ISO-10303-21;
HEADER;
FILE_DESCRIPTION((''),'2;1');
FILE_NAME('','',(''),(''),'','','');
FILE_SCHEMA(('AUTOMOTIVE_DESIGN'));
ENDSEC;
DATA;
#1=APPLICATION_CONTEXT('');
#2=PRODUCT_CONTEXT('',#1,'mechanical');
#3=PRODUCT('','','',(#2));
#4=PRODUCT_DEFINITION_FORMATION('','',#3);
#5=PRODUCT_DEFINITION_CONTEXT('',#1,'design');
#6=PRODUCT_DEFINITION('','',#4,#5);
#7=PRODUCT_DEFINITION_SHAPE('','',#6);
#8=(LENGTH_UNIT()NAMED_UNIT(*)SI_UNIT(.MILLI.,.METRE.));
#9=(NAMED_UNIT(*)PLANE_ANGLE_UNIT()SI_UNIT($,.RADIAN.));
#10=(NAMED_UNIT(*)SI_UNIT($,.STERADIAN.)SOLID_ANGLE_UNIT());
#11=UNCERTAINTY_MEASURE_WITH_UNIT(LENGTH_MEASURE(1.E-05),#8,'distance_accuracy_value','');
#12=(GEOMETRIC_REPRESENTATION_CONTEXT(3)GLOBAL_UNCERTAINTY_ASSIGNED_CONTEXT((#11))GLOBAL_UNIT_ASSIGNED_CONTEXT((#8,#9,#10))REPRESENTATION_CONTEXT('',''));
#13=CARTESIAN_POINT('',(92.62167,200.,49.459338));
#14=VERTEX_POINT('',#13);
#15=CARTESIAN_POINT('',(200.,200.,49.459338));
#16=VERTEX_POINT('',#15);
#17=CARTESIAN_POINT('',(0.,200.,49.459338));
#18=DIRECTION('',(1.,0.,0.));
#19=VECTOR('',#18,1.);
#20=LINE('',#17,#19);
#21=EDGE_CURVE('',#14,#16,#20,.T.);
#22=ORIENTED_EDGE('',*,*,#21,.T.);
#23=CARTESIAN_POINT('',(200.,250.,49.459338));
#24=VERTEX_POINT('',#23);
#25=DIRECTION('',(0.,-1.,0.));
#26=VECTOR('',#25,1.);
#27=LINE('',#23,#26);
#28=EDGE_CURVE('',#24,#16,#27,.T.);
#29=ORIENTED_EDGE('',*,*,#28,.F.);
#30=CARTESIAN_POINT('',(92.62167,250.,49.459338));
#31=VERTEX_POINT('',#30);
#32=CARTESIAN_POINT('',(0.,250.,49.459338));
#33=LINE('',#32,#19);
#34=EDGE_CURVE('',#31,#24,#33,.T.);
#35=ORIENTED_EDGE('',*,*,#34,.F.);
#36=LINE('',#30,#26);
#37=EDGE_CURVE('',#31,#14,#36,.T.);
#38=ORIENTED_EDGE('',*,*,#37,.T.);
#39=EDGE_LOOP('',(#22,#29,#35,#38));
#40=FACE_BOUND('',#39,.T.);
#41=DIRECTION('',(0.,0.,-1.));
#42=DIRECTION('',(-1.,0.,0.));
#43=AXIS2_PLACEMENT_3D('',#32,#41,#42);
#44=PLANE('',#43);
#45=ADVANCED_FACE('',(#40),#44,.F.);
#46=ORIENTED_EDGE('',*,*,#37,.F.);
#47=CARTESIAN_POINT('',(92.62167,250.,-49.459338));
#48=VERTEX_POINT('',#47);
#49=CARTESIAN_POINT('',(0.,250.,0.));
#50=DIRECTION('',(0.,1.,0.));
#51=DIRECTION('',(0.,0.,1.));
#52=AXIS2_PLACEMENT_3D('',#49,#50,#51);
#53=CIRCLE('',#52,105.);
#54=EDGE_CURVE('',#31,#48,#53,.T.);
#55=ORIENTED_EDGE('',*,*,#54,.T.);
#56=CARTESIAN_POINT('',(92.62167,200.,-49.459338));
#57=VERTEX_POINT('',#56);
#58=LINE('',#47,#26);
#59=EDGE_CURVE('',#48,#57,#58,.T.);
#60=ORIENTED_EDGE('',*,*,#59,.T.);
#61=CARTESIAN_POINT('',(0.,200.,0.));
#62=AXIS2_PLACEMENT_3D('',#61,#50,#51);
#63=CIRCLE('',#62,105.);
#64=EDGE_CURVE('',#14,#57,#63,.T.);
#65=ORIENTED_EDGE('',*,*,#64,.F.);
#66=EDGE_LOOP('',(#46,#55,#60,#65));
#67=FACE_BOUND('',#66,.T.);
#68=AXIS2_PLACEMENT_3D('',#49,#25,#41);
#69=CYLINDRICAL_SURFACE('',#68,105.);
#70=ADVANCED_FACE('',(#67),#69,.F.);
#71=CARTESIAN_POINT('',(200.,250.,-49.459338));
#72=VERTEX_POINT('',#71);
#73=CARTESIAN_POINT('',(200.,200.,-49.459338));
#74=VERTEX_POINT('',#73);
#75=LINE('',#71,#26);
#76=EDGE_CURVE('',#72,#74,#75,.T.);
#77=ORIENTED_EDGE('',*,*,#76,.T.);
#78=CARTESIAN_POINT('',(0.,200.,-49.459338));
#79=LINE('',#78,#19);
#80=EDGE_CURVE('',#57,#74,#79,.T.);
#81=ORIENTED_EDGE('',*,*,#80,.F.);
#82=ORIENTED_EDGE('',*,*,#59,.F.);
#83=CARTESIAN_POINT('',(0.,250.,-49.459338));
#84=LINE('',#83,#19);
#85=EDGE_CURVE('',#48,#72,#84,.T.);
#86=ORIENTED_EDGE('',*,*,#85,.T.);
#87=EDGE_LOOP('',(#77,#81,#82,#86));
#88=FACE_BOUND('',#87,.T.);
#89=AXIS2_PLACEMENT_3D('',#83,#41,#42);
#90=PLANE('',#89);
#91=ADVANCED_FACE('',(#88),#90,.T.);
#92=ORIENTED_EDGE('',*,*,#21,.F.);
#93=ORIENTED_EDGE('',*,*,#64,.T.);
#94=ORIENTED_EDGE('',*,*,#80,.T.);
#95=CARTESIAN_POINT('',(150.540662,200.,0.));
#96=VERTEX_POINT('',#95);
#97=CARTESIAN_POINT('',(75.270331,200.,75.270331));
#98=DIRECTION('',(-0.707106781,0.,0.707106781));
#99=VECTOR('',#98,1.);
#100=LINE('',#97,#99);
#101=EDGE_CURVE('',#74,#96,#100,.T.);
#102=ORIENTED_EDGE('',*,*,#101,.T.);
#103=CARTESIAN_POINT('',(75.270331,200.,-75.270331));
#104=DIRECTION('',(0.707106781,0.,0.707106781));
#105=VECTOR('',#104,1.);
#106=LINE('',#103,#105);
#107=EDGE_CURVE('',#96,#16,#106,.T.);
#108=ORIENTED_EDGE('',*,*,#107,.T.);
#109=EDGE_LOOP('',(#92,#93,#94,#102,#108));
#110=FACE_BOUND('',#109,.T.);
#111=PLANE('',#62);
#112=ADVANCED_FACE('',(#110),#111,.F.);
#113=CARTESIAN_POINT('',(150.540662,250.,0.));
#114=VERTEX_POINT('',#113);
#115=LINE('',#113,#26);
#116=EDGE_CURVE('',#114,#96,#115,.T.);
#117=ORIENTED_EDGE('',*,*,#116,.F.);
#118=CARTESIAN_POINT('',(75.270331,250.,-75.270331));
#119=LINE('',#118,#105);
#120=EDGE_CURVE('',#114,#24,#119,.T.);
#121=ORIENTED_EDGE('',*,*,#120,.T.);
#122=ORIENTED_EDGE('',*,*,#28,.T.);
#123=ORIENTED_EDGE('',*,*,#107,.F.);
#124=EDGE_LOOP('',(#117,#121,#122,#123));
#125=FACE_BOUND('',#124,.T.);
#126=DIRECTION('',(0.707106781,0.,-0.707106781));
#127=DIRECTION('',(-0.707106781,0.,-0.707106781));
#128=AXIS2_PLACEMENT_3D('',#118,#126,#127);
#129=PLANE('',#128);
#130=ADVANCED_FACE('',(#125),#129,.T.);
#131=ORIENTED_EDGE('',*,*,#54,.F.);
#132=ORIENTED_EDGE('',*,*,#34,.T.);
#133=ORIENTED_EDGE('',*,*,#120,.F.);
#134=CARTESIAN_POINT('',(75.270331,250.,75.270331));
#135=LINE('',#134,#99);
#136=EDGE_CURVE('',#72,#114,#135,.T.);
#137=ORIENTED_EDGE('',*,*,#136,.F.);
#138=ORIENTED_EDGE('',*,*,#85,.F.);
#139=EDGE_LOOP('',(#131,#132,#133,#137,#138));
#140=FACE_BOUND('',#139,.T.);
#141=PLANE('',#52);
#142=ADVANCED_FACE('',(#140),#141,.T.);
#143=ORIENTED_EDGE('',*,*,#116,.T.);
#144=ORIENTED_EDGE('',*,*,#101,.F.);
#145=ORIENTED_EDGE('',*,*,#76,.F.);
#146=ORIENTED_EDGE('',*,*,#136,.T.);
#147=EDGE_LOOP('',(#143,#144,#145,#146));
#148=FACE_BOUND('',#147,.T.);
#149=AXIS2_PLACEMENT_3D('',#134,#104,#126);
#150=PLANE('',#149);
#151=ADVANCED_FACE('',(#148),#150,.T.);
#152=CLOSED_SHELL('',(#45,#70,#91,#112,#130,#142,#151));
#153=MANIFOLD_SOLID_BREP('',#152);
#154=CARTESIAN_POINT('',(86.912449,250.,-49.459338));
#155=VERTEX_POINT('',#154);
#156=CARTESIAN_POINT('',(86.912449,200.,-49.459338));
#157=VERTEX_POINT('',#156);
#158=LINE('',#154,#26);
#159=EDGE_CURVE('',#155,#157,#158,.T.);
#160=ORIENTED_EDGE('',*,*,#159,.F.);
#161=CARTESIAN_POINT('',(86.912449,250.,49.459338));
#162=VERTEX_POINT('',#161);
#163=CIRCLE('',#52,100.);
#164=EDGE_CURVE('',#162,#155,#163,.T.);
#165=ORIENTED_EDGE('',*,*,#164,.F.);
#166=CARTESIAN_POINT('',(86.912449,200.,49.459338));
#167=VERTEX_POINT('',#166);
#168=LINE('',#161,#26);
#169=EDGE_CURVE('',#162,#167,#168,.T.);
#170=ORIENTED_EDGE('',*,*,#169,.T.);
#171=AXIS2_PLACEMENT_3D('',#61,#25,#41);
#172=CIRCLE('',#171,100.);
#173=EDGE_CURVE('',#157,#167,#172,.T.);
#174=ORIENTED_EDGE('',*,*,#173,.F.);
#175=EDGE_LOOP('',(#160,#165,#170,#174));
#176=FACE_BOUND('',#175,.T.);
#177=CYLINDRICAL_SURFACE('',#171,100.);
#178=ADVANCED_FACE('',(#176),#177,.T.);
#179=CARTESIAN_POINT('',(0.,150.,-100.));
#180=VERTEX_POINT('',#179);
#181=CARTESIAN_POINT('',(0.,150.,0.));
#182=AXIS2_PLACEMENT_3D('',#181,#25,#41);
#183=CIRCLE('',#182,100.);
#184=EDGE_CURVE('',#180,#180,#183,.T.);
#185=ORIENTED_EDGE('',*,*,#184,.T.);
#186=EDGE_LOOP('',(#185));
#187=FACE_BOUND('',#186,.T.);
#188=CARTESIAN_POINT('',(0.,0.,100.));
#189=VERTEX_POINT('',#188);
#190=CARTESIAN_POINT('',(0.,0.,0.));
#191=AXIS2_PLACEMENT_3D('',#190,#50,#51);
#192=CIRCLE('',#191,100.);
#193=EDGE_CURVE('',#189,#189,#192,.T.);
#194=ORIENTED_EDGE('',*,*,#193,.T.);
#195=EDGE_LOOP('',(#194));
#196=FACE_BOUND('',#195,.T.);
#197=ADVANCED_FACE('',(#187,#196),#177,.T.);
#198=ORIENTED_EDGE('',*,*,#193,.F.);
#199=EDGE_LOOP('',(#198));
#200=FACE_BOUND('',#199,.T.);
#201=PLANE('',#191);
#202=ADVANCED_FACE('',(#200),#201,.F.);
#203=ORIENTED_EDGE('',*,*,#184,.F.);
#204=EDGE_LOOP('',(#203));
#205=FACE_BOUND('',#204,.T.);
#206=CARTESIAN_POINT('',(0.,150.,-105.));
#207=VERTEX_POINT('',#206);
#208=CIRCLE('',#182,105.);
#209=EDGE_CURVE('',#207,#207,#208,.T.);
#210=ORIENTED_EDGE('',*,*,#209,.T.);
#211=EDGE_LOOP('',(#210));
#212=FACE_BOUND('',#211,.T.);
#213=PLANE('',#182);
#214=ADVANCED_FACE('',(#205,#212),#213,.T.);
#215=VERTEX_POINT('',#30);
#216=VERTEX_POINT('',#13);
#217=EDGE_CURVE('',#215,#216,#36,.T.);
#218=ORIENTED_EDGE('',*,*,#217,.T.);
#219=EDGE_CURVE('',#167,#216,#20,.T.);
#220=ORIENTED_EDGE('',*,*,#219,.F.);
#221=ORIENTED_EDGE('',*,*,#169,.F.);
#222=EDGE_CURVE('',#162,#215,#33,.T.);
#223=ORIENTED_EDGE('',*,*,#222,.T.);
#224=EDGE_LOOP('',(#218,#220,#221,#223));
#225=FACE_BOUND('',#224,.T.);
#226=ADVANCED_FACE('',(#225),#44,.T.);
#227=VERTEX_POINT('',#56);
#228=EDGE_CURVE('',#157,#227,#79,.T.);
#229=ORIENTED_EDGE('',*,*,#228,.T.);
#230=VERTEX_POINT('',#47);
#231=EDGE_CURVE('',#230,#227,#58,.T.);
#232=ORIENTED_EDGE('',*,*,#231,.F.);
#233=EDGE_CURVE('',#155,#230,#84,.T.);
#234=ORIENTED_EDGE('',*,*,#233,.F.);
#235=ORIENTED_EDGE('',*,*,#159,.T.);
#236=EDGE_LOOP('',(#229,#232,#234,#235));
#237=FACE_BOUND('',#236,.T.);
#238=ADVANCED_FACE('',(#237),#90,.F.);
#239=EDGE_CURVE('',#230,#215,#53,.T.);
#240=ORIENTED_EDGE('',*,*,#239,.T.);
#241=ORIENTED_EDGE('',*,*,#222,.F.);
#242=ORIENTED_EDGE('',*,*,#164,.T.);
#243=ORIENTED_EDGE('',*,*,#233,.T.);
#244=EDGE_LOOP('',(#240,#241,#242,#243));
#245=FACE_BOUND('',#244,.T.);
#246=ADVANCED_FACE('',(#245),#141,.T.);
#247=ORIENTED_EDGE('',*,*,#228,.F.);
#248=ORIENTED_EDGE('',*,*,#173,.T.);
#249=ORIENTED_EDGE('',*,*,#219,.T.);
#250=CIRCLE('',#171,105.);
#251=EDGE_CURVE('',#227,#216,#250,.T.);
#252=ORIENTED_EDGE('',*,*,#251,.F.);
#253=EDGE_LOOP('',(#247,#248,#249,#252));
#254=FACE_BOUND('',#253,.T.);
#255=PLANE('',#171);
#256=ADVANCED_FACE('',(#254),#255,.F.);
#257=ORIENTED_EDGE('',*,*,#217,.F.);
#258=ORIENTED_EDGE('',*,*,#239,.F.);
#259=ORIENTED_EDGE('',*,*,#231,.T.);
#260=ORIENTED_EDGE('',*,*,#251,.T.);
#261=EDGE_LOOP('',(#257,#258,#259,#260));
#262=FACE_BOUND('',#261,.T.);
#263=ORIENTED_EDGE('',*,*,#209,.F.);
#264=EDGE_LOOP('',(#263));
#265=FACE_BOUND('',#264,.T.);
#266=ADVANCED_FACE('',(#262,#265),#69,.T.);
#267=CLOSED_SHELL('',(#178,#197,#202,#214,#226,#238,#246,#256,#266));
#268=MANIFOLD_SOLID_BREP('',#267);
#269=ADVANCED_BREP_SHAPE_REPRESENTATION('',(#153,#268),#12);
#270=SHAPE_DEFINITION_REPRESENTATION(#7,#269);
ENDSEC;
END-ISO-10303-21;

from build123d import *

# Parameters (mm, degrees)
SKETCH1_R           = 100
BOSS_EXTRUDE1_DEPTH = 200
SKETCH4_R           = 100
BOSS_EXTRUDE5_DEPTH = 50
SKETCH5_R           = 105
BOSS_EXTRUDE6_DEPTH = 50


with BuildPart() as part:
    # Sketch1 → Boss-Extrude1 (new body)
    with BuildSketch(Plane(origin=(0, 0, 0), x_dir=(1, 0, 0), z_dir=(0, 1, 0))):
        with Locations(Location((0, 0, 0), (0, 0, 270))):
            Circle(SKETCH1_R)
    extrude(amount=BOSS_EXTRUDE1_DEPTH)

    # Sketch4 → Boss-Extrude5 (add)
    with BuildSketch(Plane(origin=(0, 200, 0), x_dir=(1, 0, 0), z_dir=(0, 1, 0))):
        with BuildLine():
            Line((150.540661514, 0), (200, 49.459338486))
            Line((200, 49.459338486), (92.621670448, 49.459338486))
            ThreePointArc((92.621670448, 49.459338486), (101.85841987, 25.492396935), (105, 0))
            ThreePointArc((105, 0), (101.85841987, -25.492396935), (92.621670448, -49.459338486))
            Line((92.621670448, -49.459338486), (200, -49.459338486))
            Line((200, -49.459338486), (150.540661514, 0))
        make_face()
        with Locations(Location((0, 0, 0), (0, 0, 29.64294125))):
            Circle(SKETCH4_R)
        with BuildLine():
            Line((86.912449261, 49.459338486), (92.621670448, 49.459338486))
            ThreePointArc((92.621670448, 49.459338486), (-105, 0), (92.621670448, -49.459338486))
            Line((92.621670448, -49.459338486), (86.912449261, -49.459338486))
            ThreePointArc((86.912449261, -49.459338486), (-100, 0), (86.912449261, 49.459338486))
        make_face()
    extrude(amount=BOSS_EXTRUDE5_DEPTH)


with BuildPart() as boss_extrude5_piece_1:
    # of the separate pieces the step leaves, piece 1, a body of its own (boss_extrude5_pieces)
    add(part.part.solids().sort_by_distance((0, 0, 100))[0])

    # Sketch5 → Boss-Extrude6 (add)
    with BuildSketch(Plane.XZ.offset(-200)):
        with Locations(Location((0, 0, 0), (0, 0, 270))):
            Circle(SKETCH5_R)
    extrude(amount=BOSS_EXTRUDE6_DEPTH)


with BuildPart() as boss_extrude5_piece_2:
    # of the separate pieces the step leaves, piece 2, a body of its own (boss_extrude5_pieces)
    add(part.part.solids().sort_by_distance((200, 200, 49.459338486))[0])


solid = Compound([boss_extrude5_piece_1.part, boss_extrude5_piece_2.part])
